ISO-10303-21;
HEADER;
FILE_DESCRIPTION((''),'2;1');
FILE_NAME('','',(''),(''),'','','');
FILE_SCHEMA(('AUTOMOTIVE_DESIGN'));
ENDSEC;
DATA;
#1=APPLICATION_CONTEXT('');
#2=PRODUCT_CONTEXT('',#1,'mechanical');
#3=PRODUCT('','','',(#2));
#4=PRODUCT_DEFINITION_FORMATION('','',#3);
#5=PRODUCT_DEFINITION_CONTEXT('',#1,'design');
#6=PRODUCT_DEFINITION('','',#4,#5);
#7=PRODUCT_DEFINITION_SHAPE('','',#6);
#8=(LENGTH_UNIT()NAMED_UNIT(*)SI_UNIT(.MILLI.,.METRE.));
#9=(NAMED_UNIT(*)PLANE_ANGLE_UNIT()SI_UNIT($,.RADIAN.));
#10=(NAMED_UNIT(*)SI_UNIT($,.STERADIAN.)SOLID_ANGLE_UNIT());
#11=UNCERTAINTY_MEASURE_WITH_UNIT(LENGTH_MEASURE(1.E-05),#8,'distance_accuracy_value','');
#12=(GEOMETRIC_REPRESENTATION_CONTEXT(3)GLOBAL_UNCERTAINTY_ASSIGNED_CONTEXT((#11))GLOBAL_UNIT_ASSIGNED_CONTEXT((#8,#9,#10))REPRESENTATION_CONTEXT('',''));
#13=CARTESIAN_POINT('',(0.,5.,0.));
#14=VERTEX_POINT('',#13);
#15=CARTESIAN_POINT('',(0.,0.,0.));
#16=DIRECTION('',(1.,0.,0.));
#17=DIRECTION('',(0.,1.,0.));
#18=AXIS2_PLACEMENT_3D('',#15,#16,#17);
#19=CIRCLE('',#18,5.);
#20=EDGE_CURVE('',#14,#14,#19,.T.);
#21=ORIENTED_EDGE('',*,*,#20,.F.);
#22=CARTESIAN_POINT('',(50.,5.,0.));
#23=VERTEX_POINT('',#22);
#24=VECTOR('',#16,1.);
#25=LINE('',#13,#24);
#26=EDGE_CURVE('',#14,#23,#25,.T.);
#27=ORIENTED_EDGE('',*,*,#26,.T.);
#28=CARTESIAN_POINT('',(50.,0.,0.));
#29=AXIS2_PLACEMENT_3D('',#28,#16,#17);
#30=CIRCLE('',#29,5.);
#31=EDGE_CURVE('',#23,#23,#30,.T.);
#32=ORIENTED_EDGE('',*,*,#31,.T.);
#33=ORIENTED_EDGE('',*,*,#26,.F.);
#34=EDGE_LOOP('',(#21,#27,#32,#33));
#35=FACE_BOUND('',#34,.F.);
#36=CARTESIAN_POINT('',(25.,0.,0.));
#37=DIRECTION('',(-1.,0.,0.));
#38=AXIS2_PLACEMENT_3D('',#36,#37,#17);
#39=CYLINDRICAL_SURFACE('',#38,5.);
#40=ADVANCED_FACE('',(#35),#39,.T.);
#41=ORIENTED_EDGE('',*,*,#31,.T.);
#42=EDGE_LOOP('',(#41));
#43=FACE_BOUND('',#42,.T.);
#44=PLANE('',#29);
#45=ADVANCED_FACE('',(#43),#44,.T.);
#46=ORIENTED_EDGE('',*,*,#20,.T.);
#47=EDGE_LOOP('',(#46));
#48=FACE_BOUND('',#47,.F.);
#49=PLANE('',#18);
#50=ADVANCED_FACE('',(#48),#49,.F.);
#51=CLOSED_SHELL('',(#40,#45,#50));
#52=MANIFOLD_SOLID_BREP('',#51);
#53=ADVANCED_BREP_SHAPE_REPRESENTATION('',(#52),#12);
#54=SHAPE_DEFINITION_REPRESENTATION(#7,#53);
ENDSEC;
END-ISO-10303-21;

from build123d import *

# Parameters (mm, degrees)
F0_R      = 5
F1_DEPTH  = 25
F1_FACE_R = 5
F2_DEPTH  = 25


with BuildPart() as f1:
    # F0 (on Right) → F1 (new body)
    with BuildSketch(Plane.YZ):
        Circle(F0_R)
    extrude(amount=F1_DEPTH)

    # F1_face (on face) → F2 (join)
    with BuildSketch(Plane.YZ.offset(25)):
        Circle(F1_FACE_R)
    extrude(amount=F2_DEPTH)


solid = f1.part
